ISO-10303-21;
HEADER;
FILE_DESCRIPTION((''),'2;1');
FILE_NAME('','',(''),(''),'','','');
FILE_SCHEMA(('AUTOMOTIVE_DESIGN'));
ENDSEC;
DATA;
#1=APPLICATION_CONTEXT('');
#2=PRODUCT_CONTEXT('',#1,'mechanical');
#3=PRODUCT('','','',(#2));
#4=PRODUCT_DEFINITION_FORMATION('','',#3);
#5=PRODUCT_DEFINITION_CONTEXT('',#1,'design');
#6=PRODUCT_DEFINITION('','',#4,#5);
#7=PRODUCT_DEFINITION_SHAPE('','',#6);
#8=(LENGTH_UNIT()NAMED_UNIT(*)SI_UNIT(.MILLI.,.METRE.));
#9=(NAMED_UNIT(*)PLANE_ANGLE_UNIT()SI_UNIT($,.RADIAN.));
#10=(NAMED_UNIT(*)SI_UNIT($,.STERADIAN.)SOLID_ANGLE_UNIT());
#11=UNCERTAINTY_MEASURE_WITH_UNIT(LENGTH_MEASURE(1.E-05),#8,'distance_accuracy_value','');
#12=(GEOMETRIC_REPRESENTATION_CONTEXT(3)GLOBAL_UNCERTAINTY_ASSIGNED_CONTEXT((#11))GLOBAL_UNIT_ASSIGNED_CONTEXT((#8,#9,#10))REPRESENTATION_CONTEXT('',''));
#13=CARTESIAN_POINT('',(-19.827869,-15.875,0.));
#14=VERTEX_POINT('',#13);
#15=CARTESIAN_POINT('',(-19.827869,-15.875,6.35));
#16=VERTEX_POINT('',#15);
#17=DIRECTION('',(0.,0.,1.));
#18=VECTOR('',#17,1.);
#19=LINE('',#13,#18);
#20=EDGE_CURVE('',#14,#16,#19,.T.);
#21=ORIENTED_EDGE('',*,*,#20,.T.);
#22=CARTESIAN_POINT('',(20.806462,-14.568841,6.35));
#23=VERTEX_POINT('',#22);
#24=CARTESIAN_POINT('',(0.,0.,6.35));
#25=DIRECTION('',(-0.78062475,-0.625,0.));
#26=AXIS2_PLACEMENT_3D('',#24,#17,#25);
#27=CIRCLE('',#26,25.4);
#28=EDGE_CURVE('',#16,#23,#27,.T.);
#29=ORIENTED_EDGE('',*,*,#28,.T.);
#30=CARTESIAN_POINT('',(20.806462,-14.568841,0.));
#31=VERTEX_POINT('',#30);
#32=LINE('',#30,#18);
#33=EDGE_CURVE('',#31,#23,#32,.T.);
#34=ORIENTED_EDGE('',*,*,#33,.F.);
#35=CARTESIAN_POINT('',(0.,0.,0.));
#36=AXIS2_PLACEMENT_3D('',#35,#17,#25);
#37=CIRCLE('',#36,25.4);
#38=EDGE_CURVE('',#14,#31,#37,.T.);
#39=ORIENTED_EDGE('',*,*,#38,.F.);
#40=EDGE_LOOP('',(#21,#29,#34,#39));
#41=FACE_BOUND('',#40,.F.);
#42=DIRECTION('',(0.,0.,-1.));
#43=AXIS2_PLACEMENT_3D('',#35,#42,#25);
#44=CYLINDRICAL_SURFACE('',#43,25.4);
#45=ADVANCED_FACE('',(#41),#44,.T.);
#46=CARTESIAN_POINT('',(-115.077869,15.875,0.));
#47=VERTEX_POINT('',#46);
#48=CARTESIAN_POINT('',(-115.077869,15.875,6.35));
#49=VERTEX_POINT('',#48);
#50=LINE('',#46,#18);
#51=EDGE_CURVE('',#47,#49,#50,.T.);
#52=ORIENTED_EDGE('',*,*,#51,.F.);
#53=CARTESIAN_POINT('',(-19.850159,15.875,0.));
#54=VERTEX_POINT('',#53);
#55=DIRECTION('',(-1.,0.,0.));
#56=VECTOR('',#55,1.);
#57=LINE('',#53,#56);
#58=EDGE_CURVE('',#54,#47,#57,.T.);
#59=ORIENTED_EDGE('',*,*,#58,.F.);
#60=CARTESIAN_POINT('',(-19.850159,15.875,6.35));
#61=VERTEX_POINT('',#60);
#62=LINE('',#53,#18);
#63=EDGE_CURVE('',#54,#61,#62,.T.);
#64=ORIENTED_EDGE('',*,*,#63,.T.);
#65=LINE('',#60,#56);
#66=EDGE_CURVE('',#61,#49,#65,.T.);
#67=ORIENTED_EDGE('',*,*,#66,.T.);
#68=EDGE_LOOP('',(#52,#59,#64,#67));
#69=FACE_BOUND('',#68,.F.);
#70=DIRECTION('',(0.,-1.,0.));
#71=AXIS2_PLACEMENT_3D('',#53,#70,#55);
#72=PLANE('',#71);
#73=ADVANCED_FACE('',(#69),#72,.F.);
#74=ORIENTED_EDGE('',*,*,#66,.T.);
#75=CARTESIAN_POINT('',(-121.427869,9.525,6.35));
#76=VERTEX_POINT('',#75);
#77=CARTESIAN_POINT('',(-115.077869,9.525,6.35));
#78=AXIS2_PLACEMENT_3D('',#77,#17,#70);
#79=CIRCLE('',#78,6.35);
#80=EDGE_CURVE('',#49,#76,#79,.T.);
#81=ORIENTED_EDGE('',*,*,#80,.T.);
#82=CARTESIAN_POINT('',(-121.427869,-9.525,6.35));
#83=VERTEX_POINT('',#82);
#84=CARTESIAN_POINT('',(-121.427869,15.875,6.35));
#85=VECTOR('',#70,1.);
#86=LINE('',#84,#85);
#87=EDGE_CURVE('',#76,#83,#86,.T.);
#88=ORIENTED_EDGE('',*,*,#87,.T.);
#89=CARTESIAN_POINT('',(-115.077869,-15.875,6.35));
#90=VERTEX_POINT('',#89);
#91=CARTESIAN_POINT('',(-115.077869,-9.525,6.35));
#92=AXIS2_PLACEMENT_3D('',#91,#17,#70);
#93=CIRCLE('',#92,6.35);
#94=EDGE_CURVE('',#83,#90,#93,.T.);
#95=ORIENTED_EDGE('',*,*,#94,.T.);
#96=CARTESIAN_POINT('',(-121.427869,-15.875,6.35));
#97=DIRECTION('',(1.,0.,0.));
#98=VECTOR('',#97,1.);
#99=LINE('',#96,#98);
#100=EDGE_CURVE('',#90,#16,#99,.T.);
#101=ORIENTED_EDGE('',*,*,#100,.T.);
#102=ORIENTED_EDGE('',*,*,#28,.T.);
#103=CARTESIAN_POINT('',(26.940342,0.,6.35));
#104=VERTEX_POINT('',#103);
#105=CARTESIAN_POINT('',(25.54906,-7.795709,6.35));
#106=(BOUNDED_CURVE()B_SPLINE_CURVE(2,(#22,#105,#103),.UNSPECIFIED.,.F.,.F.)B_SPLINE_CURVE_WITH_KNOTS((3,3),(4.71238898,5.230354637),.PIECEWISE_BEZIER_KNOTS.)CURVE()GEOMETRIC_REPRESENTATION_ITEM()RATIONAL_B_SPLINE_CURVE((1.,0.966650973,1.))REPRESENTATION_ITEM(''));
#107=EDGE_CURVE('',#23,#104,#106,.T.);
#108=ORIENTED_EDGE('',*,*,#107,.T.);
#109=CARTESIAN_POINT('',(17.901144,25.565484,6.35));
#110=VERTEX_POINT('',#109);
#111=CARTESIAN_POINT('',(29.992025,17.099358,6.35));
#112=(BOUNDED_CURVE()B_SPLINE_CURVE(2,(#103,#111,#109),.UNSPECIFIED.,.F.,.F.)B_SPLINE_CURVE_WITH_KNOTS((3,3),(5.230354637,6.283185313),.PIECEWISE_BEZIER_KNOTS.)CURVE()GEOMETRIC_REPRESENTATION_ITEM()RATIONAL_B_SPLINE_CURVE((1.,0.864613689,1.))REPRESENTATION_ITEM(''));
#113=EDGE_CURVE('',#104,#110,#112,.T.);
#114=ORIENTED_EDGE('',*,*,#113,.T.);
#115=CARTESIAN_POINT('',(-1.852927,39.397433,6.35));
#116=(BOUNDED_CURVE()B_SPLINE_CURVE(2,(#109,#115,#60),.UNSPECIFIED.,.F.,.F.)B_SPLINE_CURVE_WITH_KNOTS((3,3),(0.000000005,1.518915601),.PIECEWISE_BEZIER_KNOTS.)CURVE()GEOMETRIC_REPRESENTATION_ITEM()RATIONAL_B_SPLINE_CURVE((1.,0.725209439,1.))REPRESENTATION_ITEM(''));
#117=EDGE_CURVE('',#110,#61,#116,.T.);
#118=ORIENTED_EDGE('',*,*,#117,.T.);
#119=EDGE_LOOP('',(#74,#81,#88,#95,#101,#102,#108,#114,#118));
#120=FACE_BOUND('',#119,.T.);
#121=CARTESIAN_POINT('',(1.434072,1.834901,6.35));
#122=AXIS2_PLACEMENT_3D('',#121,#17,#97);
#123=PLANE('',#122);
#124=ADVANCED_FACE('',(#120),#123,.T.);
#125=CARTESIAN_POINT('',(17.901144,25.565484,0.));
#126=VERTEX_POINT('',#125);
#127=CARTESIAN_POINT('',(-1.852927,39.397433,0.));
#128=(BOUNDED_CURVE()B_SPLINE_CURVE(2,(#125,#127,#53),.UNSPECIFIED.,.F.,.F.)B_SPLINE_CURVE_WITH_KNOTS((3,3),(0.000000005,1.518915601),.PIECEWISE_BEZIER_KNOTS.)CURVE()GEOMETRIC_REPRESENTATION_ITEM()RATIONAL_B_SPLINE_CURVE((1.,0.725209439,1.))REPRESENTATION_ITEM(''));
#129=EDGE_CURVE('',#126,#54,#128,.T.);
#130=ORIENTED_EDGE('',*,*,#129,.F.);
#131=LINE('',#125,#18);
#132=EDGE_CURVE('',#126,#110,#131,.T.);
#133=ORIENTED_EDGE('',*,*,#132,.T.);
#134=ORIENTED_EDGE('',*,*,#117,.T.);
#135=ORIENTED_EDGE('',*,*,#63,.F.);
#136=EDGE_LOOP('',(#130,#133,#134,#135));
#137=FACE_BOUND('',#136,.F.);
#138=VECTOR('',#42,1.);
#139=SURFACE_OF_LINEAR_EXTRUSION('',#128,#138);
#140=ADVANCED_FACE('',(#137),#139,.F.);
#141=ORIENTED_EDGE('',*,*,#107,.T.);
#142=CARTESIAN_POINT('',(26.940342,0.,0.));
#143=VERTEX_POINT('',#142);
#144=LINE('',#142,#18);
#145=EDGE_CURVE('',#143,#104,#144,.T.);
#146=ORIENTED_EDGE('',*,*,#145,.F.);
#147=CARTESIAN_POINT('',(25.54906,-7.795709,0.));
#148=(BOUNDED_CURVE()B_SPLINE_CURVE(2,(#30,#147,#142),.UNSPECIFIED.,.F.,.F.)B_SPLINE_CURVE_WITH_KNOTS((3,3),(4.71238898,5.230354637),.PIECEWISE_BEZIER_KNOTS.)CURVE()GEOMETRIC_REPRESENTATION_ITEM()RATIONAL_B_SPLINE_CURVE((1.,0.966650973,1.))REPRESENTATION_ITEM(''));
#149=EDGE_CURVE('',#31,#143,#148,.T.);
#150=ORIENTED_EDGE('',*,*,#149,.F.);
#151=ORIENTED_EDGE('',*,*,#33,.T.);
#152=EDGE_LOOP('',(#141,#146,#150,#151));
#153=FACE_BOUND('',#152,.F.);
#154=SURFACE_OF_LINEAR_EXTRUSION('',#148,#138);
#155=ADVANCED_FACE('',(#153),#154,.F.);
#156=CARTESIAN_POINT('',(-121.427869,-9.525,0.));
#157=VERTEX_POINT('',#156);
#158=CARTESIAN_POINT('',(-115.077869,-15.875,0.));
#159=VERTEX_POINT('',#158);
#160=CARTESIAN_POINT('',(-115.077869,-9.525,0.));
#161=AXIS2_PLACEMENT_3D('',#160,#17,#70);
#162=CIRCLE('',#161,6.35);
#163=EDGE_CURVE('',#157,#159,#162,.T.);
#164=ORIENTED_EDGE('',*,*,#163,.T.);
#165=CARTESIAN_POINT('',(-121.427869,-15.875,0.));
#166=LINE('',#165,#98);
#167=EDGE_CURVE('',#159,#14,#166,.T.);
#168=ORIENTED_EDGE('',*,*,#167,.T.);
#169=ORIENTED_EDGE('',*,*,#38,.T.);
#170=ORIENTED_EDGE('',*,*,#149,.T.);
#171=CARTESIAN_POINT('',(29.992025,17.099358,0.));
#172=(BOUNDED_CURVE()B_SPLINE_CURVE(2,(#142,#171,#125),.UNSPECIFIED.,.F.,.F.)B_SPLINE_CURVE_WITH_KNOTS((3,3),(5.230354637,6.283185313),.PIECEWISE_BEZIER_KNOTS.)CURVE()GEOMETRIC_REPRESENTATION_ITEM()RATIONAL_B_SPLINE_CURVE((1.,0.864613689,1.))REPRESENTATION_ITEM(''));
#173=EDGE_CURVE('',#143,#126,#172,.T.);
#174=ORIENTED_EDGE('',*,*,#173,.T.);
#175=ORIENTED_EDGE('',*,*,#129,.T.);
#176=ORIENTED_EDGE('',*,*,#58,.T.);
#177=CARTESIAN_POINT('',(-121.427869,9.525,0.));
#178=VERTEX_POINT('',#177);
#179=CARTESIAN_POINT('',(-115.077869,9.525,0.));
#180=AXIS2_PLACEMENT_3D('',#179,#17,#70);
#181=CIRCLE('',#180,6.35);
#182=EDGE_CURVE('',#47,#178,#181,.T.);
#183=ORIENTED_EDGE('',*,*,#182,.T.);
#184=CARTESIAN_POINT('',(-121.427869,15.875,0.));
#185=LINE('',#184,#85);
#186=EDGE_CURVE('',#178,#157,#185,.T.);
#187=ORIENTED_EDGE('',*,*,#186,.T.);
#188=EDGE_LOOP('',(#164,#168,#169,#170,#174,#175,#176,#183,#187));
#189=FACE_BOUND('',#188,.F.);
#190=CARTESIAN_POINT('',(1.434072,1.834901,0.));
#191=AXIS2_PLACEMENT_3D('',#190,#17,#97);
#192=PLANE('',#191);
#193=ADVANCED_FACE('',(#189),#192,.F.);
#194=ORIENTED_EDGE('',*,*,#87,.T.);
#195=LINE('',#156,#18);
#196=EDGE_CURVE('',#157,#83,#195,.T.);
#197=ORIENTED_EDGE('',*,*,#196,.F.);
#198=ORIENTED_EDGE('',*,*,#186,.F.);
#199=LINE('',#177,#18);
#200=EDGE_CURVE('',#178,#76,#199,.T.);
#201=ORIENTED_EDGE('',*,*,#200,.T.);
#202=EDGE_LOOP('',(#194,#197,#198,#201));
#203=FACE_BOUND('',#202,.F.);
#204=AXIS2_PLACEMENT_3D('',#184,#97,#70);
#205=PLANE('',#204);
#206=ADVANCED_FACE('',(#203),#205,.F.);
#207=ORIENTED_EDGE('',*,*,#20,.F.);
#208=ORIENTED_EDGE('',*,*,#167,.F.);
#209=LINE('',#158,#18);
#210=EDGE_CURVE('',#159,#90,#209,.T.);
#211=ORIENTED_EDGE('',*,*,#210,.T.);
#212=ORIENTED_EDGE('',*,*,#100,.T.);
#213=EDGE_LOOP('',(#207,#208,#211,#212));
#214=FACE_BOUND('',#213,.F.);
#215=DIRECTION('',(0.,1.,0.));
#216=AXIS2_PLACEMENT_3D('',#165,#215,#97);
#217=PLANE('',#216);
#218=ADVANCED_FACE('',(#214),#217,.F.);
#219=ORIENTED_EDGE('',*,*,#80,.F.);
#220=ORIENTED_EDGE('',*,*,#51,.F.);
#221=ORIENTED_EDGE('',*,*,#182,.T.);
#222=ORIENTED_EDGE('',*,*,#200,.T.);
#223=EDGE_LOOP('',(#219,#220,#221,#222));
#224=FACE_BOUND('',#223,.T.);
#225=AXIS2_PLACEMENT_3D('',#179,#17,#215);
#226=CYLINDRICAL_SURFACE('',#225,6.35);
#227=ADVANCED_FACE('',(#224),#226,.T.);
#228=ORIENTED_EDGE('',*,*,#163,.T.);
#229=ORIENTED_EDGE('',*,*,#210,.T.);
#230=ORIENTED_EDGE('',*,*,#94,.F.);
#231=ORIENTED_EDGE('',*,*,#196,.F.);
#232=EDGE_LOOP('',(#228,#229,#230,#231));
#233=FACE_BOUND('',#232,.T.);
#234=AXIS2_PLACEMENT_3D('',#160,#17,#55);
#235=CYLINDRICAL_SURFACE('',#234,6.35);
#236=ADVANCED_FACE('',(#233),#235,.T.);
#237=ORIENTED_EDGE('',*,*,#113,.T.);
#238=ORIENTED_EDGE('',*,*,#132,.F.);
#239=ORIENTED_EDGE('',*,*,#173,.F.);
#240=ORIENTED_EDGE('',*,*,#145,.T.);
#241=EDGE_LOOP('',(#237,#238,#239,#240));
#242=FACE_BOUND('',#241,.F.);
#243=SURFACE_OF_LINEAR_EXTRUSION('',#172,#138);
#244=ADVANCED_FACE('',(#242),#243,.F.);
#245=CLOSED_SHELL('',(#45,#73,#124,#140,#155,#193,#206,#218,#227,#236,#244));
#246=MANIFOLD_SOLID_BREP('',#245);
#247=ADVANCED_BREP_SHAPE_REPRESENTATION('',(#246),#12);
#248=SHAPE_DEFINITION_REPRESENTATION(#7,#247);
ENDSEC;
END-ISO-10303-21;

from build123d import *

# Parameters (mm, degrees)
F1_DEPTH = 6.35
F2_R     = 6.35


with BuildPart() as f1:
    # F0 (on Top) → F1 (new body)
    with BuildSketch(Plane.XY):
        with BuildLine():
            add(Edge.make_bspline(
                [(-19.8501589651, 15.875), (-20.3419955534, 15.232168206), (-20.8064619249, 14.5688414833)],
                knots=[1.5189156006, 1.5189156006, 1.5189156006, 1.5707963268, 1.5707963268, 1.5707963268], degree=2, weights=[1, 0.9996635676, 1]))
            ThreePointArc((-20.8064619249, 14.5688414833), (-25.386887881, -0.8160414938), (-19.8278686449, -15.875))
            ThreePointArc((-19.8278686449, -15.875), (0.8160414938, -25.386887881), (20.8064619249, -14.5688414833))
            add(Edge.make_bspline(
                [(20.8064619249, -14.5688414833), (25.5490601214, -7.7957093222), (26.9403423198, 0)],
                knots=[4.7123889804, 4.7123889804, 4.7123889804, 5.2303546369, 5.2303546369, 5.2303546369], degree=2, weights=[1, 0.9666509732, 1]))
            add(Edge.make_bspline(
                [(26.9403423198, 0), (29.9920251657, 17.099358015), (17.9011443111, 25.5654838108)],
                knots=[5.2303546369, 5.2303546369, 5.2303546369, 6.2831853127, 6.2831853127, 6.2831853127], degree=2, weights=[1, 0.8646136894, 1]))
            add(Edge.make_bspline(
                [(17.9011443111, 25.5654838108), (-1.8529265857, 39.3974329633), (-19.8501589651, 15.875)],
                knots=[5.5e-09, 5.5e-09, 5.5e-09, 1.5189156006, 1.5189156006, 1.5189156006], degree=2, weights=[1, 0.7252094391, 1]))
        make_face()
        with BuildLine():
            ThreePointArc((-19.8278686449, -15.875), (-25.386887881, -0.8160414938), (-20.8064619249, 14.5688414833))
            add(Edge.make_bspline(
                [(-19.8501589651, 15.875), (-20.3419955534, 15.232168206), (-20.8064619249, 14.5688414833)],
                knots=[1.5189156006, 1.5189156006, 1.5189156006, 1.5707963268, 1.5707963268, 1.5707963268], degree=2, weights=[1, 0.9996635676, 1]))
            Line((-19.8501589651, 15.875), (-121.4278686449, 15.875))
            Line((-121.4278686449, 15.875), (-121.4278686449, -15.875))
            Line((-121.4278686449, -15.875), (-19.8278686449, -15.875))
        make_face()
    extrude(amount=F1_DEPTH)

    # F2
    f2_edges = [f1.edges().sort_by_distance(p)[0] for p in [
        (-121.427869, 15.875, 3.175),
        (-121.427869, -15.875, 3.175),
    ]]
    fillet(f2_edges, radius=F2_R)


solid = f1.part
